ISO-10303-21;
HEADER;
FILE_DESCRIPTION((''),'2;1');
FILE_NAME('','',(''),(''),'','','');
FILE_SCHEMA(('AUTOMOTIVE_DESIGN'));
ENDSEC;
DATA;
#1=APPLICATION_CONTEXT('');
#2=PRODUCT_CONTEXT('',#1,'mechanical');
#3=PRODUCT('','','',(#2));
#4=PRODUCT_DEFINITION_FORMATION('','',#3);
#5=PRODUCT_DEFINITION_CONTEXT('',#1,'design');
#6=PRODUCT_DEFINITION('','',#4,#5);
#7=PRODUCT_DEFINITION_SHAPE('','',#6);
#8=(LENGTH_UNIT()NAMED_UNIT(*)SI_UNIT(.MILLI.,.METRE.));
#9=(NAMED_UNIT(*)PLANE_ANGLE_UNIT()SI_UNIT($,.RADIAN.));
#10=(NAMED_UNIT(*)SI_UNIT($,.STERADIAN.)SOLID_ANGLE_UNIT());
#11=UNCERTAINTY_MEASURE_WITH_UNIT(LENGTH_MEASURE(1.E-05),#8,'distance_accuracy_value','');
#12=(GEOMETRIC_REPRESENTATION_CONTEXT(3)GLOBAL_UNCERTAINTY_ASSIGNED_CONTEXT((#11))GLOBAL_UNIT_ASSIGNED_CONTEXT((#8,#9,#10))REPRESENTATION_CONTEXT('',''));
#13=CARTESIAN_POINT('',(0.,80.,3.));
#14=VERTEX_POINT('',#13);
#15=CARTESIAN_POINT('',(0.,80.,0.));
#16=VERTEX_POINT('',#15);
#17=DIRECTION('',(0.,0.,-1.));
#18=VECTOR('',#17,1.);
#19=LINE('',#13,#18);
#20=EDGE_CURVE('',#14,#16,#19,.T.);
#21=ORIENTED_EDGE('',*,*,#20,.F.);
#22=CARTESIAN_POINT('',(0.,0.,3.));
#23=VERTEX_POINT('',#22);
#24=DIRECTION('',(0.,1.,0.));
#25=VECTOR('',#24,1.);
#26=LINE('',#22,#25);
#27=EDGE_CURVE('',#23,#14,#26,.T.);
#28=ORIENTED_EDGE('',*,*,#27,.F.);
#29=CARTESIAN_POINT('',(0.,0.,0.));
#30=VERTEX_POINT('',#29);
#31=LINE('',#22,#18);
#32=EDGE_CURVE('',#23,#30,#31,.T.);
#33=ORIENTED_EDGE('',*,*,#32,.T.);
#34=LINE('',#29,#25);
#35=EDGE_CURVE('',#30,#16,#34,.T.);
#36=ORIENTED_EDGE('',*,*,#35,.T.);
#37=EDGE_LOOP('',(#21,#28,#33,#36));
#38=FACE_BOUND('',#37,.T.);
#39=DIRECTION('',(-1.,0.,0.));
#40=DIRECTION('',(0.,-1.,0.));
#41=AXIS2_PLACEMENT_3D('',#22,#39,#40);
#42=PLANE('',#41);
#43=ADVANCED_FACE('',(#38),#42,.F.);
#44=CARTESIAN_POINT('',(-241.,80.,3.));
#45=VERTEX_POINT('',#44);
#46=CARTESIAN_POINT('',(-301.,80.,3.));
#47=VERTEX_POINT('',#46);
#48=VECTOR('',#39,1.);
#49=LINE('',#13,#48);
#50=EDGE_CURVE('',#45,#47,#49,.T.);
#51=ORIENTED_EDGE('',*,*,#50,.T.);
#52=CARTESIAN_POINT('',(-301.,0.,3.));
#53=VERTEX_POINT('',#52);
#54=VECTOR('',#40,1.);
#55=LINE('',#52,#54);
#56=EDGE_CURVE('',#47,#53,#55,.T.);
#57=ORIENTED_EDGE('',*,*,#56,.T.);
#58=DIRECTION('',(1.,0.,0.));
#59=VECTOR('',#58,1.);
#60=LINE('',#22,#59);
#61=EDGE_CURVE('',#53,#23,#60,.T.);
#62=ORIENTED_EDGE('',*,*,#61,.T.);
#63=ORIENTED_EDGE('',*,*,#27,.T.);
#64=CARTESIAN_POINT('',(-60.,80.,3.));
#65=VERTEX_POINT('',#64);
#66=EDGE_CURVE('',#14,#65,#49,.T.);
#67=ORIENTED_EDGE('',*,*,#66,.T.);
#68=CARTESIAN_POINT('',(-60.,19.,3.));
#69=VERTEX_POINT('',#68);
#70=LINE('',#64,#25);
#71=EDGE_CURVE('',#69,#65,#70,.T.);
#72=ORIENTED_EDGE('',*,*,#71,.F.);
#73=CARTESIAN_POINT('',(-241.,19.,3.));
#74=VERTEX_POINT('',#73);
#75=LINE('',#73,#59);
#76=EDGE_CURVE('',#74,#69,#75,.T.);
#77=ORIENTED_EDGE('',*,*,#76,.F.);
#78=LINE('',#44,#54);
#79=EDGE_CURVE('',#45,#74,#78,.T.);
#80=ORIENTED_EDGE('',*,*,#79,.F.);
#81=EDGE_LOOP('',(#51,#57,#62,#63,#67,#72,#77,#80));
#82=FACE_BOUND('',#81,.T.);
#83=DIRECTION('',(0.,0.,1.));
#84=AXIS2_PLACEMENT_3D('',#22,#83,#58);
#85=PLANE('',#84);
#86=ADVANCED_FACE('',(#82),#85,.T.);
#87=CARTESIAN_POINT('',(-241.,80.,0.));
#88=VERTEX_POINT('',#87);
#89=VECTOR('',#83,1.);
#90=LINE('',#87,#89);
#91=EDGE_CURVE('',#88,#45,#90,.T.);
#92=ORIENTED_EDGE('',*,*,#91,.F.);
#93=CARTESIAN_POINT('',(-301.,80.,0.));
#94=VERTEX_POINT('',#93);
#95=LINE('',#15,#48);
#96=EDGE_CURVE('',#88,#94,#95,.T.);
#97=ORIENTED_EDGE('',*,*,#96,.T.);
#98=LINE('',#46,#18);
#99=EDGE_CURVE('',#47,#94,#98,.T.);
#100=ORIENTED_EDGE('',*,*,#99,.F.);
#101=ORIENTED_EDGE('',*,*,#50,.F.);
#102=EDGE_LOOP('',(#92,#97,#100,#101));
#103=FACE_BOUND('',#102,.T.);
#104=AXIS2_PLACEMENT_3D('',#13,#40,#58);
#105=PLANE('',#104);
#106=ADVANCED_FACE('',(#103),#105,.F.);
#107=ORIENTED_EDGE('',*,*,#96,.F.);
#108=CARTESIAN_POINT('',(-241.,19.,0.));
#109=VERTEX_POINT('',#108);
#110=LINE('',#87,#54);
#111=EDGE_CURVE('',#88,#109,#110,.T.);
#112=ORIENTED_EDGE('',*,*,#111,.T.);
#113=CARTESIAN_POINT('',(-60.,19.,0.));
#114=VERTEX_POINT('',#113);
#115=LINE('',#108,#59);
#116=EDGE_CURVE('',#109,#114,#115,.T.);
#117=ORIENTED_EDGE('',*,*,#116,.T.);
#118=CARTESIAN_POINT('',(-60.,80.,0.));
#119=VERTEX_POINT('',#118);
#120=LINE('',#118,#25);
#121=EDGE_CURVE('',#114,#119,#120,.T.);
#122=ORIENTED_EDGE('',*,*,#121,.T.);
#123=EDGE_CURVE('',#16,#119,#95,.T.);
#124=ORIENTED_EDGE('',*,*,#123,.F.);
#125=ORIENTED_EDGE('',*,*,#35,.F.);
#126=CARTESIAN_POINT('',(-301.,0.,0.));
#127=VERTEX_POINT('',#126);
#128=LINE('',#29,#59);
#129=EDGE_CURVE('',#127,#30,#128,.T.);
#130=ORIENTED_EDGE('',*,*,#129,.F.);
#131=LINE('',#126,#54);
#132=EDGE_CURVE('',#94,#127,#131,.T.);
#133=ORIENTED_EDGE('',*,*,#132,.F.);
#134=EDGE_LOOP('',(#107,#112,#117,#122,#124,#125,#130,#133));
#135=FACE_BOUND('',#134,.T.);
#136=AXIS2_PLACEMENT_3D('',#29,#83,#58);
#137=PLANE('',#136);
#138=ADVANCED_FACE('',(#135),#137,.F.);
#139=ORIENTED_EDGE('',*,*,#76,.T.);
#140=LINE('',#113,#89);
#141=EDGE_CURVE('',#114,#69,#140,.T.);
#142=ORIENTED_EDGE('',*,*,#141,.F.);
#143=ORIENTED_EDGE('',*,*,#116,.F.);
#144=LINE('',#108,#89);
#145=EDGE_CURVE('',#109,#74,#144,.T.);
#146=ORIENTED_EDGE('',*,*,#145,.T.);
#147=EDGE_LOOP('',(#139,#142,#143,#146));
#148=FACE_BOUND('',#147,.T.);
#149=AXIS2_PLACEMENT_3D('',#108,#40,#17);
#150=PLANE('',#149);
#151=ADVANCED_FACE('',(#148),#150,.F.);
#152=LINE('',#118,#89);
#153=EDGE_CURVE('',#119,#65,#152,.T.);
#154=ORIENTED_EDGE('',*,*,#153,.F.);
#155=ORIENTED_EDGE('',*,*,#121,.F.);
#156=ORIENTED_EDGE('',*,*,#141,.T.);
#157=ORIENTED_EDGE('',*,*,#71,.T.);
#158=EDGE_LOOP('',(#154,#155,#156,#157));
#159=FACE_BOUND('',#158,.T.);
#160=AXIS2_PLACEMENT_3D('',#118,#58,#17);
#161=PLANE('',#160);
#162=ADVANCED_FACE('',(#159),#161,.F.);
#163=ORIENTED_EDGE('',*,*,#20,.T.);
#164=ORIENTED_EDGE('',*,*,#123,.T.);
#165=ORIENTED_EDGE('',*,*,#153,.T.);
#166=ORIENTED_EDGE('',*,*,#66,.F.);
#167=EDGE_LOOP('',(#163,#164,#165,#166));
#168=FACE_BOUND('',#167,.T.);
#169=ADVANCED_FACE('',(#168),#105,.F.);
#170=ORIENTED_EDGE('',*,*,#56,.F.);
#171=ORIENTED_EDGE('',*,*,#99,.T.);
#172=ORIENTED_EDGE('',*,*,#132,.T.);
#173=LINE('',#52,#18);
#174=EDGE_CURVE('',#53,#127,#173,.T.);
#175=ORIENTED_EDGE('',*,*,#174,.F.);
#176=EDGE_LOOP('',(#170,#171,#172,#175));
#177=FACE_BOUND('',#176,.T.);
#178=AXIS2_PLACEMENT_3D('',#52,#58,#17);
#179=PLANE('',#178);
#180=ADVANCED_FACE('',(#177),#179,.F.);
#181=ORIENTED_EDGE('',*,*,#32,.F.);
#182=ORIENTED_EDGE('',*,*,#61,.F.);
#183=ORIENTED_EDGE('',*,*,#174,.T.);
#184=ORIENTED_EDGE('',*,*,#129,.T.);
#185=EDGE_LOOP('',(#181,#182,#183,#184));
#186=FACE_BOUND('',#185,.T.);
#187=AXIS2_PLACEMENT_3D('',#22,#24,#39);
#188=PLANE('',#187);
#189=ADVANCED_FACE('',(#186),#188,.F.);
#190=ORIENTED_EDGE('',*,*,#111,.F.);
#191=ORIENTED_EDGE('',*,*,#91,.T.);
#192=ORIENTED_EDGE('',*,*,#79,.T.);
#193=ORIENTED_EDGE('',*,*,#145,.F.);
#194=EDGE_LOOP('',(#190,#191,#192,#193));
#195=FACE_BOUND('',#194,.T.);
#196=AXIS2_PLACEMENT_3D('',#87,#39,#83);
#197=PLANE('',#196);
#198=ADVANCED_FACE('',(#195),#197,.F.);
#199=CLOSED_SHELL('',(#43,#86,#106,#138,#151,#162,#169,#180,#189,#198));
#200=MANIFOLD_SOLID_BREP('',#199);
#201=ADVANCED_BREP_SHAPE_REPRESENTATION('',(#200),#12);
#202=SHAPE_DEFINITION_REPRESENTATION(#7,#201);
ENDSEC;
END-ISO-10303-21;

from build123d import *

# Parameters (mm, degrees)
ESQUISSE1_W             = 301
ESQUISSE1_H             = 80
BOSS_EXTRU_1_DEPTH      = 3
ESQUISSE2_W             = 181
ESQUISSE2_H             = 61
ENL_V_MAT_EXTRU_1_DEPTH = 312.464283667


with BuildPart() as part:
    # Esquisse1 → Boss.-Extru.1 (new body)
    with BuildSketch(Plane.XY):
        with Locations((-150.5, 40)):
            Rectangle(ESQUISSE1_W, ESQUISSE1_H)
    extrude(amount=BOSS_EXTRU_1_DEPTH)

    # Esquisse2 → Enlèv. mat.-Extru.1 (cut, through all)
    with BuildSketch(Plane.XY.offset(3)):
        with Locations((-150.5, 49.5)):
            Rectangle(ESQUISSE2_W, ESQUISSE2_H)
    extrude(amount=-ENL_V_MAT_EXTRU_1_DEPTH, mode=Mode.SUBTRACT)


solid = part.part
